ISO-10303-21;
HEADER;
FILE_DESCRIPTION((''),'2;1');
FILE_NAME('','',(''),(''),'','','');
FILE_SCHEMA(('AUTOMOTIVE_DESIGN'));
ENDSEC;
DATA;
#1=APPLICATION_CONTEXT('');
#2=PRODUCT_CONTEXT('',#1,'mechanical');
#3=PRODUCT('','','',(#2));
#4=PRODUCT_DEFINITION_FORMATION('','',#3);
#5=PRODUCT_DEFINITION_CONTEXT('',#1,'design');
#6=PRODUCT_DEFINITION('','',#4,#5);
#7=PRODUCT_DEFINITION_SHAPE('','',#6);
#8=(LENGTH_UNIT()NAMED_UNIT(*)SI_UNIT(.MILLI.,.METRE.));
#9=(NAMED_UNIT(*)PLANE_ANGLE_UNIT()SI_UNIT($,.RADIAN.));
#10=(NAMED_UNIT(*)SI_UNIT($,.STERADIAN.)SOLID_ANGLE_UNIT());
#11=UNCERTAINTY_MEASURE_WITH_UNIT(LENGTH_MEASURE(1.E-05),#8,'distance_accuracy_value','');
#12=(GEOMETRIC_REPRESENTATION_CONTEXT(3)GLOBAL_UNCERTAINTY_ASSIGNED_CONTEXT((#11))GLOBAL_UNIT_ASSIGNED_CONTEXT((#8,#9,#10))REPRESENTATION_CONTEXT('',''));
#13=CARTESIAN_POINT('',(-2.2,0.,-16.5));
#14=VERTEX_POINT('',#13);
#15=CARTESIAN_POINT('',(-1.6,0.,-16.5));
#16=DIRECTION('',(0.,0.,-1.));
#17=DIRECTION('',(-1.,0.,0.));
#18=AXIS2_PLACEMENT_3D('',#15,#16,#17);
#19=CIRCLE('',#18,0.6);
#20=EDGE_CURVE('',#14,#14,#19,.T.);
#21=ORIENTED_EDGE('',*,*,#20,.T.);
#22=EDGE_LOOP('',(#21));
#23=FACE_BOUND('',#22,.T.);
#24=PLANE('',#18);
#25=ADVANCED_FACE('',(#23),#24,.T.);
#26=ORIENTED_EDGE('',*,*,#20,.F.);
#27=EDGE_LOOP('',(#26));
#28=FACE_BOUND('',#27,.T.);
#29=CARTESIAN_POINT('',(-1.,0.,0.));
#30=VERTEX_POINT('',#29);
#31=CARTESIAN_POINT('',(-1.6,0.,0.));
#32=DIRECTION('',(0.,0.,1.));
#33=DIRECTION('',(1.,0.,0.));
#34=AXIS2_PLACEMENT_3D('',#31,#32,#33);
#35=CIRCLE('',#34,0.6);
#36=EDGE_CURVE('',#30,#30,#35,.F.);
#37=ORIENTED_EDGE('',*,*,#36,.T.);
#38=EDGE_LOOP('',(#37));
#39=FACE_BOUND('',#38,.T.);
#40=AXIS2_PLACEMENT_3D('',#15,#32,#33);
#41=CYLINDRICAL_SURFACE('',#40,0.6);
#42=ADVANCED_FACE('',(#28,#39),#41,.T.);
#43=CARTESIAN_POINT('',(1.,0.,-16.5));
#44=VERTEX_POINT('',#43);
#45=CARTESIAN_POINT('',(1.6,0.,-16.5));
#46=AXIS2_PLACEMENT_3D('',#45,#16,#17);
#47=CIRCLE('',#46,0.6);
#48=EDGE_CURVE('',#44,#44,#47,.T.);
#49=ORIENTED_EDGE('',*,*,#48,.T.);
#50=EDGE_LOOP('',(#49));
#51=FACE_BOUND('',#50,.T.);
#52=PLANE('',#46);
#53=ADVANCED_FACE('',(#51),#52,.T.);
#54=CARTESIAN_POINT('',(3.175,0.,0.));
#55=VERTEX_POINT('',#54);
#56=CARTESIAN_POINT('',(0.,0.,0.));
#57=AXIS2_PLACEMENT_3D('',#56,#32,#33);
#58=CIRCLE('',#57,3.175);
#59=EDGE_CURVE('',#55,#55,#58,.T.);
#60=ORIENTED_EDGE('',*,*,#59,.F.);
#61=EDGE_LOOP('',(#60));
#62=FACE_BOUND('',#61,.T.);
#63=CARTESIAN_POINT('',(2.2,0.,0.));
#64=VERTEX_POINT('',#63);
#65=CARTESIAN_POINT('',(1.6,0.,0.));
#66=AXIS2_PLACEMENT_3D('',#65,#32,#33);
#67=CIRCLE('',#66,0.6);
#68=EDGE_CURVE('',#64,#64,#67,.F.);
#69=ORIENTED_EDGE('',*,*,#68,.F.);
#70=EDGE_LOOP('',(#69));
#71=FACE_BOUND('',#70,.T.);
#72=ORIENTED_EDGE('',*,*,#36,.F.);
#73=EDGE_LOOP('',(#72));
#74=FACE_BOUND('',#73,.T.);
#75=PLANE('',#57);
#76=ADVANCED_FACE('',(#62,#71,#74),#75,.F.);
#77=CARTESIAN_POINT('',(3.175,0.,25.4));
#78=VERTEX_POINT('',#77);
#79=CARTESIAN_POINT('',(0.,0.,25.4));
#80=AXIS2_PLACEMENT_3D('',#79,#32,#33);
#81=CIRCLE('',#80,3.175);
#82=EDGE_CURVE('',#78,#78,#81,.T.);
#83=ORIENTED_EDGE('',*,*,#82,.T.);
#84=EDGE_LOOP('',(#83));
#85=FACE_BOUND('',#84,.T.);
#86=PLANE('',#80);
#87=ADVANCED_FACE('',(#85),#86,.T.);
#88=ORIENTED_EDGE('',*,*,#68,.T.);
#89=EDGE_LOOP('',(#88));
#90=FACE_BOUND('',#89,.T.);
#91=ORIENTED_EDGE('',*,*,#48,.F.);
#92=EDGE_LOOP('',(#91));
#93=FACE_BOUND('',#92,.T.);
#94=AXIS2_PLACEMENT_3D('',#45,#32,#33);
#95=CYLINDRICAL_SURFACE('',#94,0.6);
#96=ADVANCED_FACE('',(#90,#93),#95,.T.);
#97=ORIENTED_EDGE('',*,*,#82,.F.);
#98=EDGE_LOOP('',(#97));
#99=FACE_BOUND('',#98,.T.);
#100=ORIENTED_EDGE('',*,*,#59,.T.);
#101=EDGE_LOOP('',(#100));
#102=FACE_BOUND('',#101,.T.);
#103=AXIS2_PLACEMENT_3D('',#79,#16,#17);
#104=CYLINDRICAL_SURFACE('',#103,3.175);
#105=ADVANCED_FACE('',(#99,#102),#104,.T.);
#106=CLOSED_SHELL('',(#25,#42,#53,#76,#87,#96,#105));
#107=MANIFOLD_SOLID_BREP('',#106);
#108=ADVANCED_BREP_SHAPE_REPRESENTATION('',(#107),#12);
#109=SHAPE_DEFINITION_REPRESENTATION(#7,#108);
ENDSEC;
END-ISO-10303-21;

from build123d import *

# Parameters (mm, degrees)
SKETCH1_R           = 3.175
BOSS_EXTRUDE1_DEPTH = 25.4
SKETCH2_R           = 0.6
BOSS_EXTRUDE2_DEPTH = 16.5


with BuildPart() as part:
    # Sketch1 → Boss-Extrude1 (new body)
    with BuildSketch(Plane.XY):
        Circle(SKETCH1_R)
    extrude(amount=BOSS_EXTRUDE1_DEPTH)

    # Sketch2 → Boss-Extrude2 (add)
    with BuildSketch(Plane(origin=(0, 0, 0), x_dir=(-1, 0, 0), z_dir=(0, 0, -1))):
        with Locations((-1.6, 0)):
            Circle(SKETCH2_R)
        with Locations((1.6, 0)):
            Circle(SKETCH2_R)
    extrude(amount=BOSS_EXTRUDE2_DEPTH)


solid = part.part
